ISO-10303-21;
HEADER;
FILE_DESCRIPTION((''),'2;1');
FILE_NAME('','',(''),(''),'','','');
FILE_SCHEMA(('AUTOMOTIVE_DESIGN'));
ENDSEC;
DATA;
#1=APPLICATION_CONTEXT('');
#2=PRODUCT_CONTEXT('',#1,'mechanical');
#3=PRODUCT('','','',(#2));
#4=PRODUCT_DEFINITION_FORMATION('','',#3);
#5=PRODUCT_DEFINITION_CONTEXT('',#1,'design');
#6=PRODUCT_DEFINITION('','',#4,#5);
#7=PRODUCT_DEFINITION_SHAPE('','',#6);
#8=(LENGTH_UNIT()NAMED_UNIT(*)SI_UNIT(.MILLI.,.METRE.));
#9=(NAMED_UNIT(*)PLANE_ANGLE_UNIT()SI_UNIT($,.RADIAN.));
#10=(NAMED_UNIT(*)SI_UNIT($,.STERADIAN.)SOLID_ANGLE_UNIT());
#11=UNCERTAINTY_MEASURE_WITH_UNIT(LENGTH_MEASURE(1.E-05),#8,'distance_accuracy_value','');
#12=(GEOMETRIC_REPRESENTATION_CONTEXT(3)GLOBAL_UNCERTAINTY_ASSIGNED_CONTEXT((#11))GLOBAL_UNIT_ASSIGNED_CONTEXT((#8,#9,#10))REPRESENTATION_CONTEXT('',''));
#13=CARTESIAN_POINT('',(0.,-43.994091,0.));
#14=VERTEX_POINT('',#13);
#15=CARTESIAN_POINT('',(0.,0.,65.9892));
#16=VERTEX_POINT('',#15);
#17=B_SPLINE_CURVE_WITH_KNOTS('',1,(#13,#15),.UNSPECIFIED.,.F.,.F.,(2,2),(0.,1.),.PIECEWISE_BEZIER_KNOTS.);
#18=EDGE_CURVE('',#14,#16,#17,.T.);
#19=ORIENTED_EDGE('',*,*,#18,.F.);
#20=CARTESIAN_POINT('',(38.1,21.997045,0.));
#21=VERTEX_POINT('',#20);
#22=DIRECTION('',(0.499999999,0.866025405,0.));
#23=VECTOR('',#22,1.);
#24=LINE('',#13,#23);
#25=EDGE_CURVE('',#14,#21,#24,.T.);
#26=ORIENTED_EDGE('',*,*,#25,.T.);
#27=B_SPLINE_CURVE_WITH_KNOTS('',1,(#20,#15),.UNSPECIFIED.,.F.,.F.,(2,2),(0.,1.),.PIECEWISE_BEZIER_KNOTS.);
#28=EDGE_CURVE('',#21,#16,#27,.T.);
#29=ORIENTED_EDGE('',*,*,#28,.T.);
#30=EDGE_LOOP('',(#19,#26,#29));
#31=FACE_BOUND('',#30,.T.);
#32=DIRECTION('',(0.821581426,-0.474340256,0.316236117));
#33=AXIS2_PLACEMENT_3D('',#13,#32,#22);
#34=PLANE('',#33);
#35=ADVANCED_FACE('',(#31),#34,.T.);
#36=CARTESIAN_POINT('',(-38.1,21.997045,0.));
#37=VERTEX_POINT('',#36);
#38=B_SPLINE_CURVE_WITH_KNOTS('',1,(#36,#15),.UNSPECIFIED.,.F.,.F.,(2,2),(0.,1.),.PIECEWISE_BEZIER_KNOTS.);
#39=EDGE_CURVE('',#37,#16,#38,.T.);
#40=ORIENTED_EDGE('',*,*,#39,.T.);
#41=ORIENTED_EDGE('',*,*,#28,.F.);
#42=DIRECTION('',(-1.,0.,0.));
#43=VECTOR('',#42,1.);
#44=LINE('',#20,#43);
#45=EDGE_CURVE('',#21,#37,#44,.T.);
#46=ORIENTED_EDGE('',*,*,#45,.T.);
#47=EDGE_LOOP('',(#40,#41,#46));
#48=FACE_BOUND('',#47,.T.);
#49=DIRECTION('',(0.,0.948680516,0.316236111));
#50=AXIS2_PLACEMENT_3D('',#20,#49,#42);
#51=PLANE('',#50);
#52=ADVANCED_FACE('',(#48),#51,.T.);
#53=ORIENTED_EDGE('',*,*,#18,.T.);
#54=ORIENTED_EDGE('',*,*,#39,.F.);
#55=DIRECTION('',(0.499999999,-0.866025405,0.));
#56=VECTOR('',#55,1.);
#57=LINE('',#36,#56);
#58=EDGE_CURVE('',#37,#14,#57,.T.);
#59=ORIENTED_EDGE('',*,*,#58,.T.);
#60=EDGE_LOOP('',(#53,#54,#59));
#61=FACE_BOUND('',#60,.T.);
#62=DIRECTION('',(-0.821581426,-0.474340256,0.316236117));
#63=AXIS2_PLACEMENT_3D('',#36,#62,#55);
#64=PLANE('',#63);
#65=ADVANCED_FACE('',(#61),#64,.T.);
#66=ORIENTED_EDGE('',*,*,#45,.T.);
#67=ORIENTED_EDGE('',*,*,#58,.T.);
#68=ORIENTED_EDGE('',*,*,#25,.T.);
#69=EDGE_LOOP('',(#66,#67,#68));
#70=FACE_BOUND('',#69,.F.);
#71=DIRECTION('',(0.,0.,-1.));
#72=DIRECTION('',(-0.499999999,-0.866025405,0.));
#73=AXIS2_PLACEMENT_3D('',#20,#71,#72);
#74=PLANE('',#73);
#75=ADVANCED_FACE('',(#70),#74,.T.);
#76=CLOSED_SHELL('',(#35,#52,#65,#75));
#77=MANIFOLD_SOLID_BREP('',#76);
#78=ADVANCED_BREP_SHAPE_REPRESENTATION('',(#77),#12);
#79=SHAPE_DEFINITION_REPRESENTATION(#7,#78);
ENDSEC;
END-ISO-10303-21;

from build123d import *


with BuildPart() as f2:
    # F0 (on Top) → F2 section 0
    with BuildSketch(Plane.XY, mode=Mode.PRIVATE) as f2_s0:
        Polygon((38.1, 21.997045), (-38.1, 21.997045), (0, -43.994091), align=None)
    loft([f2_s0.sketch, Vertex(0, 0, 65.9892)])


solid = f2.part
